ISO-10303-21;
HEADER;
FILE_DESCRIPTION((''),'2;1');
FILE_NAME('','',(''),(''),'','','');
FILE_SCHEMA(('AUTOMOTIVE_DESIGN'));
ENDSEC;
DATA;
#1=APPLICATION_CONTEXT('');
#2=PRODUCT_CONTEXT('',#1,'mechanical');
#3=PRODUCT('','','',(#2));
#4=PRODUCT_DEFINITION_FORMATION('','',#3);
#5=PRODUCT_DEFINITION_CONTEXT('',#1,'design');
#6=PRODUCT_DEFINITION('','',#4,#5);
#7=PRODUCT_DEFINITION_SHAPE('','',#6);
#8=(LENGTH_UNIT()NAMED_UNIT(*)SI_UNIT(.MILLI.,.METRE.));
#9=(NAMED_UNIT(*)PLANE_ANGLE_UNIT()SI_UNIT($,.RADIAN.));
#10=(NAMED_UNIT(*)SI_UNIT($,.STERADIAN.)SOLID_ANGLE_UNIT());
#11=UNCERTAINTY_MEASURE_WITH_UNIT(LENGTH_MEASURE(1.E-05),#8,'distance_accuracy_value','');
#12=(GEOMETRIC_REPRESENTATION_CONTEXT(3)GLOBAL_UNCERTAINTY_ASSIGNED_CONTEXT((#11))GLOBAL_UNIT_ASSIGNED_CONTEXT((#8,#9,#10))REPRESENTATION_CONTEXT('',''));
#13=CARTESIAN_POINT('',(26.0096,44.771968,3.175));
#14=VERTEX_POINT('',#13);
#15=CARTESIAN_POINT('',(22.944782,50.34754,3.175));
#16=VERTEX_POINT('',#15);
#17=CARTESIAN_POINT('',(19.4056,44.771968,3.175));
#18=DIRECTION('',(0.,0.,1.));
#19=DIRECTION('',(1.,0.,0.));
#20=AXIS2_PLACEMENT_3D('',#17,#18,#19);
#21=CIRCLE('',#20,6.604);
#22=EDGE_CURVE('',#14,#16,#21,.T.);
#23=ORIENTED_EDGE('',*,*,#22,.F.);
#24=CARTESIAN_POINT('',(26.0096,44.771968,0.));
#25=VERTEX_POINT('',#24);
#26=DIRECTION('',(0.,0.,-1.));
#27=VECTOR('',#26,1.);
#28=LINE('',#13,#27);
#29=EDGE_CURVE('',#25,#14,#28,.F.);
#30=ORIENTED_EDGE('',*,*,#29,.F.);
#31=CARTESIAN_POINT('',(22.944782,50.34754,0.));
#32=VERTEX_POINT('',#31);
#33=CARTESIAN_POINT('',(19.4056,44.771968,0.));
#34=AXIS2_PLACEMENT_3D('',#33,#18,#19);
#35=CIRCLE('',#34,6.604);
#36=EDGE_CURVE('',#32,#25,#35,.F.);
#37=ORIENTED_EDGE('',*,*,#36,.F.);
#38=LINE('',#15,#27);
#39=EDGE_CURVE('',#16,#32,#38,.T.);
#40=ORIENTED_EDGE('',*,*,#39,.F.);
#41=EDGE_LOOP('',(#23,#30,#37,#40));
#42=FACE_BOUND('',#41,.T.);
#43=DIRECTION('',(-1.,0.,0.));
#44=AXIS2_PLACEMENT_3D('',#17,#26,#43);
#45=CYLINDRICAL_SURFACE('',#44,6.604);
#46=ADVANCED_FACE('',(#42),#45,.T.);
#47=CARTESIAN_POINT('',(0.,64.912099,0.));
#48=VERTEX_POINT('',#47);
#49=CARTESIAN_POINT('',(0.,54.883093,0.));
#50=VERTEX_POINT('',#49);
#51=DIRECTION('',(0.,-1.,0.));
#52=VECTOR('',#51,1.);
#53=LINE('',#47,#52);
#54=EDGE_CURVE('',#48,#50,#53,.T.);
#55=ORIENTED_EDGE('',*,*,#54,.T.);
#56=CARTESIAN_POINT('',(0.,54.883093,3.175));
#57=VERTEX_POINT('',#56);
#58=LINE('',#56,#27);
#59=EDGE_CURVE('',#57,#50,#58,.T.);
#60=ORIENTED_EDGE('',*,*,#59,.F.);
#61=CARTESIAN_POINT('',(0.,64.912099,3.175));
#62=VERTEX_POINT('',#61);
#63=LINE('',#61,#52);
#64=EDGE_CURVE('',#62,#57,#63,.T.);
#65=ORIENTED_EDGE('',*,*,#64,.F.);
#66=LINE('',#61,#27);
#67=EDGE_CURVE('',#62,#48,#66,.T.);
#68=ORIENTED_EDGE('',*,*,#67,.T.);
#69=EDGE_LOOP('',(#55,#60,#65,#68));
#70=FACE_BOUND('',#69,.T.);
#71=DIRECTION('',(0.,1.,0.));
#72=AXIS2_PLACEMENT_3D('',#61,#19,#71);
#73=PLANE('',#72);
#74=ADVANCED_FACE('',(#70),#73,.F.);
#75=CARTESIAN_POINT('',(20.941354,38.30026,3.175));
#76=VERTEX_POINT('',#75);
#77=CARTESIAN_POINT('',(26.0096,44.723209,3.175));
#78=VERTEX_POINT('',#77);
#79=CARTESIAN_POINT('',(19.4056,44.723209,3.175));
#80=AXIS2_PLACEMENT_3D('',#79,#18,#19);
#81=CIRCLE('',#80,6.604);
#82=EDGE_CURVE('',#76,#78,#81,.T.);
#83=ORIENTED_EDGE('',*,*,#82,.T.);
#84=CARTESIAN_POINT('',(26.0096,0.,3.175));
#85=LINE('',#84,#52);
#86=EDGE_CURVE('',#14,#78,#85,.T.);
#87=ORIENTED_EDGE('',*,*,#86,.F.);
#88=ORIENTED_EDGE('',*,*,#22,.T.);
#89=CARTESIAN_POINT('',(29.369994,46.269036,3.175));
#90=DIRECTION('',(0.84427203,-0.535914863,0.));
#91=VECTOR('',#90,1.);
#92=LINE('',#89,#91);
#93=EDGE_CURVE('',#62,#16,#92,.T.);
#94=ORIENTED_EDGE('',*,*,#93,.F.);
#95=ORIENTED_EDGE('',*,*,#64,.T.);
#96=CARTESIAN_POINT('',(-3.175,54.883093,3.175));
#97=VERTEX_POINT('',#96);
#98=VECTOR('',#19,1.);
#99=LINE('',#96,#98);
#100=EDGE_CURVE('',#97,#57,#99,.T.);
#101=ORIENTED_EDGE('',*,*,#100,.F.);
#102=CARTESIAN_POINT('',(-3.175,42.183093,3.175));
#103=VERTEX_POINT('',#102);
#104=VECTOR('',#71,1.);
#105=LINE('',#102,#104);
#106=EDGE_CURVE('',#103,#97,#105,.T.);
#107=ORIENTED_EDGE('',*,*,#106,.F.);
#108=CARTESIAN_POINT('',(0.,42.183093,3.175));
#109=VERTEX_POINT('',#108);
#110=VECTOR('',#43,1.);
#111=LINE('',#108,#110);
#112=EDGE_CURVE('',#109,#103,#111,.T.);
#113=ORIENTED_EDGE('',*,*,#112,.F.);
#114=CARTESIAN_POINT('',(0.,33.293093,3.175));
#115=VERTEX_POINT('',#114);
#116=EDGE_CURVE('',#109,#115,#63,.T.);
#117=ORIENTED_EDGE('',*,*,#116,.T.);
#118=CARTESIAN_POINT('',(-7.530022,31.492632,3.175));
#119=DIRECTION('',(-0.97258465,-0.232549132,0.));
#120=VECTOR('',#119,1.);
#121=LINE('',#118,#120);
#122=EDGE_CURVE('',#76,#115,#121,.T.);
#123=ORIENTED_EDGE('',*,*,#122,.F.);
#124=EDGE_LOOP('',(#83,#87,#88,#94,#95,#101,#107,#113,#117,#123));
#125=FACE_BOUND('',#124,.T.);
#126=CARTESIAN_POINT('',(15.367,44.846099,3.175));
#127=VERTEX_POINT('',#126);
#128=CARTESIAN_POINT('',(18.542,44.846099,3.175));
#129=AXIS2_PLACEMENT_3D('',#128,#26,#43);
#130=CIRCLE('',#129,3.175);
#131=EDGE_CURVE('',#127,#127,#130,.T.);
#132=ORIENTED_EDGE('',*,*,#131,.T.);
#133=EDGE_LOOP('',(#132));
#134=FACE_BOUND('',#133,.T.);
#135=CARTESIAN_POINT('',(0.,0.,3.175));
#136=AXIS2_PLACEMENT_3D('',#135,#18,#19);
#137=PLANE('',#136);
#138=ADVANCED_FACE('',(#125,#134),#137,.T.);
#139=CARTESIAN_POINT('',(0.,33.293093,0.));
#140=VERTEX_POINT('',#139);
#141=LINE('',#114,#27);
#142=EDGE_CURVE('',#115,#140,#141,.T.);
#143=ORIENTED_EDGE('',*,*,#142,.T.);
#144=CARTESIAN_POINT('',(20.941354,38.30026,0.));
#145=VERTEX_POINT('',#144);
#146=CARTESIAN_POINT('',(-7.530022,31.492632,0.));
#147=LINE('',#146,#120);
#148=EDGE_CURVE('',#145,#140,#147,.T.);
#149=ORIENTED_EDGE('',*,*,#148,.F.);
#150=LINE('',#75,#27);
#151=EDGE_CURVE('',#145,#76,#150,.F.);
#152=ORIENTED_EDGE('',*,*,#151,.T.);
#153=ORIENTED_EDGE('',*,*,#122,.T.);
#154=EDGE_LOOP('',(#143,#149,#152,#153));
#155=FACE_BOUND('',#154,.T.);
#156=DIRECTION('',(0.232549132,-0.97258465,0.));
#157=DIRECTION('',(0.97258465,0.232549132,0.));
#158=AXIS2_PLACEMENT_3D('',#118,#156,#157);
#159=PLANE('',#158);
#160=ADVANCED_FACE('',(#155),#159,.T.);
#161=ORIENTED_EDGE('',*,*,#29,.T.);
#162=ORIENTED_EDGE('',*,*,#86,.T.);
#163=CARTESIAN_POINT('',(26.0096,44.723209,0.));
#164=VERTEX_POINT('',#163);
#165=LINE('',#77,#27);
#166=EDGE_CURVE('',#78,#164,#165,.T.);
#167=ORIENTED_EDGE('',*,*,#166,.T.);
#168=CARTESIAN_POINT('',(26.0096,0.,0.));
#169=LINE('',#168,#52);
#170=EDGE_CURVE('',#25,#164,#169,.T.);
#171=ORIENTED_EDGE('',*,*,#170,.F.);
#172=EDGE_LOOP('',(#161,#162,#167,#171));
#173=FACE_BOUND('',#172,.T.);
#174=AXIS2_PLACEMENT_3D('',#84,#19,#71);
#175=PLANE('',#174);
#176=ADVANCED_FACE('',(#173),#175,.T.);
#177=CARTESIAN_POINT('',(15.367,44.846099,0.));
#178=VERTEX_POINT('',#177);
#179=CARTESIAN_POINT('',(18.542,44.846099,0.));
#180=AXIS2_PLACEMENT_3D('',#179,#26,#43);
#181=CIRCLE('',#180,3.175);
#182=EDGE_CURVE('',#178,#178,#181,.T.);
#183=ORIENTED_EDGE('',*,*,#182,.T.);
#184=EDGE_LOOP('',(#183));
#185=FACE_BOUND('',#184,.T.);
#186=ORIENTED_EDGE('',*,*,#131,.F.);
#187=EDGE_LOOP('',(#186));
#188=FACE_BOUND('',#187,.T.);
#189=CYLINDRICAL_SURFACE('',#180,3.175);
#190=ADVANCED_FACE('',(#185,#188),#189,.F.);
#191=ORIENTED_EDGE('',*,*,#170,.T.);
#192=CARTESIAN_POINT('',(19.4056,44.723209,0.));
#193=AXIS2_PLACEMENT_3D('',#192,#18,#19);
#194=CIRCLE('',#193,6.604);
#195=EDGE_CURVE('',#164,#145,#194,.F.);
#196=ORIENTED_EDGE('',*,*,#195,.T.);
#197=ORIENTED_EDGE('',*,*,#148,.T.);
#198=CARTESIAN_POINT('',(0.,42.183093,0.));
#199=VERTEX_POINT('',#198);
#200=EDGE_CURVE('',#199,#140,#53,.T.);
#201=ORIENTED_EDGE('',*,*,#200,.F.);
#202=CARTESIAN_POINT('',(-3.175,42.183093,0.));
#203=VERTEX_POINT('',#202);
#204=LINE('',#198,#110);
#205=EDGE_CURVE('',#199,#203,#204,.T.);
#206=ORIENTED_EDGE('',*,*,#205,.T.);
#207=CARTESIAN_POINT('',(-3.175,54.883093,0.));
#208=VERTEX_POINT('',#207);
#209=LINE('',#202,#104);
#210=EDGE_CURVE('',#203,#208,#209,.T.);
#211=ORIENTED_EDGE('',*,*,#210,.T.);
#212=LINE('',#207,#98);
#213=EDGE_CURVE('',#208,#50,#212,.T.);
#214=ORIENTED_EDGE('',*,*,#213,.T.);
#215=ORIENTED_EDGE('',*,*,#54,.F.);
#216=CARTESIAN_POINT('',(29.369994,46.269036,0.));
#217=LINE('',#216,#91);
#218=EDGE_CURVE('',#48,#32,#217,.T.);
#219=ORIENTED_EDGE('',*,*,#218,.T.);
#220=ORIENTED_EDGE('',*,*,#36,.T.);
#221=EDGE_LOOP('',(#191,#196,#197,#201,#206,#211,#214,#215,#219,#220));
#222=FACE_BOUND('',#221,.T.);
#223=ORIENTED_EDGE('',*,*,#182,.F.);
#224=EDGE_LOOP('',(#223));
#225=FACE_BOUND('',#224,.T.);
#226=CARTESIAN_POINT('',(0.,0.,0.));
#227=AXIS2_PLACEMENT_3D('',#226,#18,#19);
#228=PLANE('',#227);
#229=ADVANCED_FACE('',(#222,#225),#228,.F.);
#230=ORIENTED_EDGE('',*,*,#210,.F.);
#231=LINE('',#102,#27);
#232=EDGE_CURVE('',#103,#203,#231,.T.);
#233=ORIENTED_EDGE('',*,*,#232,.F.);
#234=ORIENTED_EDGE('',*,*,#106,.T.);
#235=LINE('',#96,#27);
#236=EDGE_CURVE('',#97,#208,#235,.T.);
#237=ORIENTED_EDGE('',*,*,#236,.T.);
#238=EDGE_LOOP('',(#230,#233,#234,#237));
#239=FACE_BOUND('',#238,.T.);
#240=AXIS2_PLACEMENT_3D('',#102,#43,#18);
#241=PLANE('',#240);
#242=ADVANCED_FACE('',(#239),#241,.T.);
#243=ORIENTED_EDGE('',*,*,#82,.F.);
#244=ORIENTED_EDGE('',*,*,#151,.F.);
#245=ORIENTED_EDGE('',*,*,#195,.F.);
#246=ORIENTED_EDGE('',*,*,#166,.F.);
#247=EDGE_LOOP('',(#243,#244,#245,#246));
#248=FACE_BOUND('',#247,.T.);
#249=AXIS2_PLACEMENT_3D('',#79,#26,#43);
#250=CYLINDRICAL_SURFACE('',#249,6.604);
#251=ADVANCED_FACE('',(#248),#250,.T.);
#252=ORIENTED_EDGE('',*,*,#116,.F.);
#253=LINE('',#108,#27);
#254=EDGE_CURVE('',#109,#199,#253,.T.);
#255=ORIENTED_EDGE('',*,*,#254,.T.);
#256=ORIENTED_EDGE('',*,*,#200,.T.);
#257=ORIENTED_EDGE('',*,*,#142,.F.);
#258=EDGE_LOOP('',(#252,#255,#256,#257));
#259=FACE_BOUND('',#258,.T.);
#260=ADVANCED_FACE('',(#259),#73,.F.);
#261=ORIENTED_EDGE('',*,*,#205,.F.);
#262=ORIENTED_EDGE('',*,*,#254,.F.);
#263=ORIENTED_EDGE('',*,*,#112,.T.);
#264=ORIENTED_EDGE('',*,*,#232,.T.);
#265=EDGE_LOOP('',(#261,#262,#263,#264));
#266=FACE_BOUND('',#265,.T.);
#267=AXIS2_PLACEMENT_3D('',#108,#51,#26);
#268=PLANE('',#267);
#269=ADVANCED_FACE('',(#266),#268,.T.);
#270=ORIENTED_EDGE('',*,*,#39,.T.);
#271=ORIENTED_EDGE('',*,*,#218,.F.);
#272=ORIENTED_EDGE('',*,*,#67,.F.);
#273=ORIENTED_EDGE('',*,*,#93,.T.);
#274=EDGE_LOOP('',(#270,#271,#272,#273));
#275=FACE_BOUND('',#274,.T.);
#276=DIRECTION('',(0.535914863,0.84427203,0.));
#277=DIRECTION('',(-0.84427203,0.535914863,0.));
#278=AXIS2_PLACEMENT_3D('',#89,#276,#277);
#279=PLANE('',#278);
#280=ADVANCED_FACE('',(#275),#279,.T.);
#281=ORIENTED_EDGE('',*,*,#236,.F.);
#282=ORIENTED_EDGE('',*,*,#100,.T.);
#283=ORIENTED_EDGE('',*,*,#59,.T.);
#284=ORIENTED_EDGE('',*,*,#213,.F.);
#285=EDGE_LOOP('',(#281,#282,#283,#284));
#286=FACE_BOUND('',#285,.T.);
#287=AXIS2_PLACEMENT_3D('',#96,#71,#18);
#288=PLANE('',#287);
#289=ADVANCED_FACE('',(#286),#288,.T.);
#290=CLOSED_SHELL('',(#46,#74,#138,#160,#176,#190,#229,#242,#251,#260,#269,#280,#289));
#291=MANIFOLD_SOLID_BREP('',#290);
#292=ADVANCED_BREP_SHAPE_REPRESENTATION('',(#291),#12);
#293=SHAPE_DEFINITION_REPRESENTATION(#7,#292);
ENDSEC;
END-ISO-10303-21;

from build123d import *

# Parameters (mm, degrees)
SKETCH1_W                   = 68.548183611
SKETCH1_H                   = 64.912098736
BOSS_EXTRUDE1_DEPTH         = 3.175
F_1_4_0_25_DIAMETER_HOLE1_D = 6.35
CUT_EXTRUDE1_DEPTH          = 95.459063428
FILLET1_R                   = 6.604
SKETCH5_W                   = 3.175
SKETCH5_H                   = 12.7
BOSS_EXTRUDE2_DEPTH         = 3.175


with BuildPart() as part:
    # Sketch1 → Boss-Extrude1 (new body)
    with BuildSketch(Plane.XY):
        with Locations((34.274091805, 32.456049368)):
            Rectangle(SKETCH1_W, SKETCH1_H)
    extrude(amount=BOSS_EXTRUDE1_DEPTH)

    # 1/4 (0.25) Diameter Hole1 (through all)
    with Locations(Plane(origin=(0, 0, 0), x_dir=(-1, 0, 0), z_dir=(0, 0, -1))):
        with Locations((-18.542, 44.846098736)):
            Hole(F_1_4_0_25_DIAMETER_HOLE1_D / 2)

    # Sketch4 → Cut-Extrude1 (cut, through all)
    with BuildSketch(Plane(origin=(0, 0, 0), x_dir=(-1, 0, 0), z_dir=(0, 0, -1))):
        Polygon((-26.0096, 48.402098736), (0, 64.912098736), (-68.548183611, 64.912098736), (-68.548183611, 0), (0, 0), (0, 33.293092607), (-26.0096, 39.512098736), align=None)
    extrude(amount=-CUT_EXTRUDE1_DEPTH, mode=Mode.SUBTRACT)

    # Fillet1
    fillet1_edges = [part.edges().sort_by_distance(p)[0] for p in [
        (26.0096, 39.512098736, 1.5875),
        (26.0096, 48.402098736, 1.5875),
    ]]
    fillet(fillet1_edges, radius=FILLET1_R)

    # Sketch5 → Boss-Extrude2 (add)
    with BuildSketch(Plane(origin=(0, 0, 0), x_dir=(-1, 0, 0), z_dir=(0, 0, -1))):
        with Locations((1.5875, 48.533092607)):
            Rectangle(SKETCH5_W, SKETCH5_H)
    extrude(amount=-BOSS_EXTRUDE2_DEPTH)


solid = part.part
